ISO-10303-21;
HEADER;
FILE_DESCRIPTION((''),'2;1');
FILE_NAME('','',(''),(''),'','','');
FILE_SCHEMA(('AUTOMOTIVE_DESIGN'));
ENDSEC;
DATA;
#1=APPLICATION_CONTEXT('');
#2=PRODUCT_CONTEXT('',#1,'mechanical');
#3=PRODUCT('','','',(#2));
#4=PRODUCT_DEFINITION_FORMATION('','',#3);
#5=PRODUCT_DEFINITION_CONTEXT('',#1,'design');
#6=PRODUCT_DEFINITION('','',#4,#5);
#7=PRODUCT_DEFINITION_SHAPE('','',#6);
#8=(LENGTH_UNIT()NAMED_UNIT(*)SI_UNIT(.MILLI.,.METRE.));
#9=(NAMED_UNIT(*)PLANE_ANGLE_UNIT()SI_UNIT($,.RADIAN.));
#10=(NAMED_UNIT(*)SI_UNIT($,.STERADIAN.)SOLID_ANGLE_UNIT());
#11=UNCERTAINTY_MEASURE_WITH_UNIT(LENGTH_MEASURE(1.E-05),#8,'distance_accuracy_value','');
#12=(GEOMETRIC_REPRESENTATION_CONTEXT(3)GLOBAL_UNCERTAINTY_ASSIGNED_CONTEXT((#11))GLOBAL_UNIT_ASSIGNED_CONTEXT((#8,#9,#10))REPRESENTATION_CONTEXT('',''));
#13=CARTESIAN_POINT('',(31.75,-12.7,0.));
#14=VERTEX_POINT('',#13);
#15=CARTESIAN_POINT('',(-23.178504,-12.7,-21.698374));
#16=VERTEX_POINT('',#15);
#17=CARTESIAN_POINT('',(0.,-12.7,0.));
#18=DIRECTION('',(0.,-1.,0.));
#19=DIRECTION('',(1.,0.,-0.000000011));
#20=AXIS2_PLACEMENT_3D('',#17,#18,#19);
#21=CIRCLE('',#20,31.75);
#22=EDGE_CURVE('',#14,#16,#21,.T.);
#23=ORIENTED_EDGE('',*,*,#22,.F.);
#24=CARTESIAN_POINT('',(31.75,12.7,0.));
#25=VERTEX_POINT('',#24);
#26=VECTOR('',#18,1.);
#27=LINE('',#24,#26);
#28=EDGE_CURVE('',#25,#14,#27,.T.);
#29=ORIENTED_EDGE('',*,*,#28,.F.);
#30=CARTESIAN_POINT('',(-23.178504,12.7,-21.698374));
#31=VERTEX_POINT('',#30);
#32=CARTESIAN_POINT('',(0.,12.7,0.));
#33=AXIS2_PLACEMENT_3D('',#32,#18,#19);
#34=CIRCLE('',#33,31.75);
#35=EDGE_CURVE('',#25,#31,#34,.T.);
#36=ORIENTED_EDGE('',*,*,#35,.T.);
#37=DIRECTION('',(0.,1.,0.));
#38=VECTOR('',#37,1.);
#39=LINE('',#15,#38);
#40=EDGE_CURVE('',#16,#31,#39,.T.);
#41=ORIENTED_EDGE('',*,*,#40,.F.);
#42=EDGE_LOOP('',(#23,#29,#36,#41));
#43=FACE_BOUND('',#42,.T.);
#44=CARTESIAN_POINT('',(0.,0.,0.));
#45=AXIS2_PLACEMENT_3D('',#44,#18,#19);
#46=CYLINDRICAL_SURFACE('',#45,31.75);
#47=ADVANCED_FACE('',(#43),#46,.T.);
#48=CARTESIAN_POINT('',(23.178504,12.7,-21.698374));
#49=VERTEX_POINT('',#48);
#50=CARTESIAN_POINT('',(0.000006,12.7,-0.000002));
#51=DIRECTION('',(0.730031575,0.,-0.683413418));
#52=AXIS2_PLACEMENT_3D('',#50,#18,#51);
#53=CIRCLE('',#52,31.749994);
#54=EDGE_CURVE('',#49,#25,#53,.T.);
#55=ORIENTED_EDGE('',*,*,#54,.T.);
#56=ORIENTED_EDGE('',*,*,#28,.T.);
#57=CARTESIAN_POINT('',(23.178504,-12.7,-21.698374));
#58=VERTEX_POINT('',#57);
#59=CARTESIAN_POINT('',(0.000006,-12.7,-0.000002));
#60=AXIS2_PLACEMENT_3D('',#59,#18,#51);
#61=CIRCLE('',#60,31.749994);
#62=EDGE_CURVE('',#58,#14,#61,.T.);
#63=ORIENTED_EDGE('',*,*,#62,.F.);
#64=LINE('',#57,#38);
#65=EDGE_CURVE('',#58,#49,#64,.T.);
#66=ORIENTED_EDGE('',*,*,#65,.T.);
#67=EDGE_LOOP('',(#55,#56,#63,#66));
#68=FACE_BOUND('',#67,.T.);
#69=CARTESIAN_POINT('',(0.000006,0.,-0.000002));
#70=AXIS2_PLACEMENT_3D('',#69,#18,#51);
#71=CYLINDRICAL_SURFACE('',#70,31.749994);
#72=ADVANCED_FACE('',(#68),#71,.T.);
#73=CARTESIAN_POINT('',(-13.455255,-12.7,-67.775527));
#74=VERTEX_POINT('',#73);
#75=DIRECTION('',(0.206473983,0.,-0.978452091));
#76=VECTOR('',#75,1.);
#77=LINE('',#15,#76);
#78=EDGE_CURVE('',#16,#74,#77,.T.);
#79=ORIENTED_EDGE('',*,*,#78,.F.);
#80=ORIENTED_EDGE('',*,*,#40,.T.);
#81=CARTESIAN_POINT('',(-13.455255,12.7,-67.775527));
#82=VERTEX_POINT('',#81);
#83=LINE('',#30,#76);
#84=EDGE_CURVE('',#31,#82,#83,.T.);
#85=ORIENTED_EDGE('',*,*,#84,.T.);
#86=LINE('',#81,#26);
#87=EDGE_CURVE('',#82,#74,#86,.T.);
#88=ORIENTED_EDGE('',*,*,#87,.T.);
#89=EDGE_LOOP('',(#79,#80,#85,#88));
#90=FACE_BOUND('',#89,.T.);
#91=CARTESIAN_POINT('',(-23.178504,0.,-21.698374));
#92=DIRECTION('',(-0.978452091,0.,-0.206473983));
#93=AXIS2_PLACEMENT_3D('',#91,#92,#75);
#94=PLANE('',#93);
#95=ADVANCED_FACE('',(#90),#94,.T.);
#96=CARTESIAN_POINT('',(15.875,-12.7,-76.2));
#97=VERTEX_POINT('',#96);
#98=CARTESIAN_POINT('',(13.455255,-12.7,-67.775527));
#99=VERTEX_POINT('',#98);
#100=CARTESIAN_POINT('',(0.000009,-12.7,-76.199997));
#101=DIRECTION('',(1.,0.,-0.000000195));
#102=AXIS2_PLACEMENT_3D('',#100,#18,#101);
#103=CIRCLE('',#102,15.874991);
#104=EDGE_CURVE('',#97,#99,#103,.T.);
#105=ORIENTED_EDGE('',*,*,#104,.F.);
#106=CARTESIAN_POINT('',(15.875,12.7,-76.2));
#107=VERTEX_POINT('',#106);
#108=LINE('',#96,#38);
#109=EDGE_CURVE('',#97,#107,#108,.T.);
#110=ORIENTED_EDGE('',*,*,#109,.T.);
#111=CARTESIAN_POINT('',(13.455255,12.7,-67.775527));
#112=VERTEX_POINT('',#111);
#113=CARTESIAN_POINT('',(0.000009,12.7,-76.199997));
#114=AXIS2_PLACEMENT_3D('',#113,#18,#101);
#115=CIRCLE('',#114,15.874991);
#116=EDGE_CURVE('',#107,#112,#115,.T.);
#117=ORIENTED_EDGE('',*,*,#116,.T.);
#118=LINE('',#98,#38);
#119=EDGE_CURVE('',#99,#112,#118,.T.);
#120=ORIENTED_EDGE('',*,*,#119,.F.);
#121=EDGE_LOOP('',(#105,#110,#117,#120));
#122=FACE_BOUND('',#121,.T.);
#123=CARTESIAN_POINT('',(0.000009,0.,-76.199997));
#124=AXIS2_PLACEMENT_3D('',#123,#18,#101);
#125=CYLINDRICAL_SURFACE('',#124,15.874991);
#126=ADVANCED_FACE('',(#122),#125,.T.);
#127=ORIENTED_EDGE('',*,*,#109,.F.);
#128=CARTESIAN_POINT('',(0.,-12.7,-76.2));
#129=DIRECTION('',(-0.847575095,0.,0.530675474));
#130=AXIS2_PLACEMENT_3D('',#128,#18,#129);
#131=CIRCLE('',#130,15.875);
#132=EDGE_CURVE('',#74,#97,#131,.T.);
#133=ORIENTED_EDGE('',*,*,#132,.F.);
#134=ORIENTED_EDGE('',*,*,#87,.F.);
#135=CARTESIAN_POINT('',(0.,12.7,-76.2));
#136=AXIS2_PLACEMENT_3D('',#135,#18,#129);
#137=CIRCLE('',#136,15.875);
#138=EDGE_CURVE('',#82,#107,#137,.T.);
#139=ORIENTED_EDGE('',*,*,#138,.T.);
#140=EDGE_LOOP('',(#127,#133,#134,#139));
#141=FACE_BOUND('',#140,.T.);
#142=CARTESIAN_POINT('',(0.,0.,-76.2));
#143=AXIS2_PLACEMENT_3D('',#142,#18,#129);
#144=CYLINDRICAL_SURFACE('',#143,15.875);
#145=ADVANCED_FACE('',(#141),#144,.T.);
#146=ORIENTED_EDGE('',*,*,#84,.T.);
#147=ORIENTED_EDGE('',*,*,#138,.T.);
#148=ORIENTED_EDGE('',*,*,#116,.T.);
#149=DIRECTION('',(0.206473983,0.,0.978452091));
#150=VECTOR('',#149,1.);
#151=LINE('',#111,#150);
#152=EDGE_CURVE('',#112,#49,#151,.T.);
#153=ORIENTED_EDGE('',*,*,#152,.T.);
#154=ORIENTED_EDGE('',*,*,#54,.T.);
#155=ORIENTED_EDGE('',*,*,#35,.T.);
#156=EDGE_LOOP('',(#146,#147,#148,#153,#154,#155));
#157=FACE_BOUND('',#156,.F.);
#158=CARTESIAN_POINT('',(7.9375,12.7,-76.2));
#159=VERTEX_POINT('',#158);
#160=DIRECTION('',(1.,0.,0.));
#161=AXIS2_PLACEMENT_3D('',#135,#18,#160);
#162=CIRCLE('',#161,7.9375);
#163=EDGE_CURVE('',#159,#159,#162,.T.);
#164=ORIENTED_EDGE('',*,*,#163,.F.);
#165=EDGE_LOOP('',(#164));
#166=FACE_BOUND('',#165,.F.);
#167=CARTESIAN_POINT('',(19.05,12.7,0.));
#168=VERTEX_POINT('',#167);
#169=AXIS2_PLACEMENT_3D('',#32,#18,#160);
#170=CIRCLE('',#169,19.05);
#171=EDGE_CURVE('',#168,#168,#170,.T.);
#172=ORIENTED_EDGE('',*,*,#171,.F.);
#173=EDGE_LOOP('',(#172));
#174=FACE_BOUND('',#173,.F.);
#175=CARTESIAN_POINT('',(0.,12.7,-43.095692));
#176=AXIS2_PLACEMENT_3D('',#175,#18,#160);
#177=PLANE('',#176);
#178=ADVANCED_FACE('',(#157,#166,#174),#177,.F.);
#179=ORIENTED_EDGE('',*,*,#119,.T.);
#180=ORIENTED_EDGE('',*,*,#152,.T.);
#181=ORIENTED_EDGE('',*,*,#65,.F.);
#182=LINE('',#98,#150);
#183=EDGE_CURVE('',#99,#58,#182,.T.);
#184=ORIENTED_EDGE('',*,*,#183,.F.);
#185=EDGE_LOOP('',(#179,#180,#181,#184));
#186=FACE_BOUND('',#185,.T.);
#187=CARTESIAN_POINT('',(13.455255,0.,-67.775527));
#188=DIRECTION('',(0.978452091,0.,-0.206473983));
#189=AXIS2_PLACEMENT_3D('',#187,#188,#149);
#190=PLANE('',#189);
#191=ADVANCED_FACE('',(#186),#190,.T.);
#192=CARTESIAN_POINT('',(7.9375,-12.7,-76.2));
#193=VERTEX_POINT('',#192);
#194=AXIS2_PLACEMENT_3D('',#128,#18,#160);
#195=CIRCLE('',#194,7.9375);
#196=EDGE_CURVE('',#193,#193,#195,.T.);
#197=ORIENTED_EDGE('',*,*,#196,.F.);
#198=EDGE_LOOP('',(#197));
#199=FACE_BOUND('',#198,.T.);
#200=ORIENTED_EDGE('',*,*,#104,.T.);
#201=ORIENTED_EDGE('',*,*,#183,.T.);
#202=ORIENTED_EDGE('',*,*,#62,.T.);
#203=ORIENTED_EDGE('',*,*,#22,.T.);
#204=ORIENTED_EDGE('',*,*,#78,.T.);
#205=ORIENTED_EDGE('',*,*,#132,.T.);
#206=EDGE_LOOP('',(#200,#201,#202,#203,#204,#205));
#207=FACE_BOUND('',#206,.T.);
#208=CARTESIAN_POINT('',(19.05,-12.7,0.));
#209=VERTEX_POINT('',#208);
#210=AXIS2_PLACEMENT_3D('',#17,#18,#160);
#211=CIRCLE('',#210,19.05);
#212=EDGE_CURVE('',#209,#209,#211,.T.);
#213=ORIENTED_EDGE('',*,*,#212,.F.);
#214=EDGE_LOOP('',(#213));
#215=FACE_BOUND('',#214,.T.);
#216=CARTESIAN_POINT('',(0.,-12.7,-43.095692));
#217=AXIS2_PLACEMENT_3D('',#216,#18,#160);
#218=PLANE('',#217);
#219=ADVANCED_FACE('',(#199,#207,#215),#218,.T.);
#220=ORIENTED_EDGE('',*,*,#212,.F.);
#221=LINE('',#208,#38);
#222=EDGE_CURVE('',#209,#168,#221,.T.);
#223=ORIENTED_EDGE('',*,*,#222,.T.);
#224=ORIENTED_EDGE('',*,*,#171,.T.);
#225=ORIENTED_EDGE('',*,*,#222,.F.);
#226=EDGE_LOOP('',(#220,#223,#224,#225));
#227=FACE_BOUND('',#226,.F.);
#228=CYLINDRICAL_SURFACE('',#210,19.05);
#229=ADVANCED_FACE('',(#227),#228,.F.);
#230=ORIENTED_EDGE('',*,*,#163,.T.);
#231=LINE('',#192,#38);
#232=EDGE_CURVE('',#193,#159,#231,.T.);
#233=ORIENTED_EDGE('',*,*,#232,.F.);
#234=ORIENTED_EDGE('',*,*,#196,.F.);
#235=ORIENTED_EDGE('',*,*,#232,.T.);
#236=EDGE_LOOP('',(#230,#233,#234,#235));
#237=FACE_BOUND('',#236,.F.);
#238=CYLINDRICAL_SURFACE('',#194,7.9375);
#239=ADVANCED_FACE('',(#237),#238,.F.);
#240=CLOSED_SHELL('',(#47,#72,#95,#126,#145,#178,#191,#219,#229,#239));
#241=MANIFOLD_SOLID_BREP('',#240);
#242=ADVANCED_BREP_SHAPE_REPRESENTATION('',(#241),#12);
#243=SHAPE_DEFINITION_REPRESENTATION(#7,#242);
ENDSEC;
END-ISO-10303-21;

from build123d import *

# Parameters (mm, degrees)
F1_DEPTH = 12.7
F2_DEPTH = 12.7
F3_R     = 19.05
F4_DEPTH = 25.401
F5_R     = 7.9375
F6_DEPTH = 25.401


with BuildPart() as f1:
    # F0 (on Front) → F1 (new body, symmetric)
    with BuildSketch(Plane.XZ):
        with BuildLine():
            ThreePointArc((23.178504, -21.698374), (29.529477, -11.665012), (31.75, 0))
            ThreePointArc((31.75, 0), (-11.665012, 29.529477), (-23.178504, -21.698374))
            ThreePointArc((-23.178504, -21.698374), (0, -31.75), (23.178504, -21.698374))
        make_face()
    extrude(amount=F1_DEPTH, both=True)

    # F0 (on Front) → F2 (join, symmetric)
    with BuildSketch(Plane.XZ):
        with BuildLine():
            ThreePointArc((23.178504, -21.698374), (0, -31.75), (-23.178504, -21.698374))
            Line((-23.178504, -21.698374), (-13.455255, -67.775527))
            ThreePointArc((-13.455255, -67.775527), (0, -60.325), (13.455255, -67.775527))
            Line((13.455255, -67.775527), (23.178504, -21.698374))
        make_face()
        with BuildLine():
            ThreePointArc((13.455255, -67.775527), (0, -60.325), (-13.455255, -67.775527))
            ThreePointArc((-13.455255, -67.775527), (-4.382548, -91.458077), (15.875, -76.2))
            ThreePointArc((15.875, -76.2), (15.258077, -71.817452), (13.455255, -67.775527))
        make_face()
    extrude(amount=F2_DEPTH, both=True)

    # F3 (on face) → F4 (cut, through all)
    with BuildSketch(Plane.XZ.offset(12.7)):
        Circle(F3_R)
    extrude(amount=-F4_DEPTH, mode=Mode.SUBTRACT)

    # F5 (on face) → F6 (cut, through all)
    with BuildSketch(Plane.XZ.offset(12.7)):
        with Locations((0, -76.2)):
            Circle(F5_R)
    extrude(amount=-F6_DEPTH, mode=Mode.SUBTRACT)


solid = f1.part
